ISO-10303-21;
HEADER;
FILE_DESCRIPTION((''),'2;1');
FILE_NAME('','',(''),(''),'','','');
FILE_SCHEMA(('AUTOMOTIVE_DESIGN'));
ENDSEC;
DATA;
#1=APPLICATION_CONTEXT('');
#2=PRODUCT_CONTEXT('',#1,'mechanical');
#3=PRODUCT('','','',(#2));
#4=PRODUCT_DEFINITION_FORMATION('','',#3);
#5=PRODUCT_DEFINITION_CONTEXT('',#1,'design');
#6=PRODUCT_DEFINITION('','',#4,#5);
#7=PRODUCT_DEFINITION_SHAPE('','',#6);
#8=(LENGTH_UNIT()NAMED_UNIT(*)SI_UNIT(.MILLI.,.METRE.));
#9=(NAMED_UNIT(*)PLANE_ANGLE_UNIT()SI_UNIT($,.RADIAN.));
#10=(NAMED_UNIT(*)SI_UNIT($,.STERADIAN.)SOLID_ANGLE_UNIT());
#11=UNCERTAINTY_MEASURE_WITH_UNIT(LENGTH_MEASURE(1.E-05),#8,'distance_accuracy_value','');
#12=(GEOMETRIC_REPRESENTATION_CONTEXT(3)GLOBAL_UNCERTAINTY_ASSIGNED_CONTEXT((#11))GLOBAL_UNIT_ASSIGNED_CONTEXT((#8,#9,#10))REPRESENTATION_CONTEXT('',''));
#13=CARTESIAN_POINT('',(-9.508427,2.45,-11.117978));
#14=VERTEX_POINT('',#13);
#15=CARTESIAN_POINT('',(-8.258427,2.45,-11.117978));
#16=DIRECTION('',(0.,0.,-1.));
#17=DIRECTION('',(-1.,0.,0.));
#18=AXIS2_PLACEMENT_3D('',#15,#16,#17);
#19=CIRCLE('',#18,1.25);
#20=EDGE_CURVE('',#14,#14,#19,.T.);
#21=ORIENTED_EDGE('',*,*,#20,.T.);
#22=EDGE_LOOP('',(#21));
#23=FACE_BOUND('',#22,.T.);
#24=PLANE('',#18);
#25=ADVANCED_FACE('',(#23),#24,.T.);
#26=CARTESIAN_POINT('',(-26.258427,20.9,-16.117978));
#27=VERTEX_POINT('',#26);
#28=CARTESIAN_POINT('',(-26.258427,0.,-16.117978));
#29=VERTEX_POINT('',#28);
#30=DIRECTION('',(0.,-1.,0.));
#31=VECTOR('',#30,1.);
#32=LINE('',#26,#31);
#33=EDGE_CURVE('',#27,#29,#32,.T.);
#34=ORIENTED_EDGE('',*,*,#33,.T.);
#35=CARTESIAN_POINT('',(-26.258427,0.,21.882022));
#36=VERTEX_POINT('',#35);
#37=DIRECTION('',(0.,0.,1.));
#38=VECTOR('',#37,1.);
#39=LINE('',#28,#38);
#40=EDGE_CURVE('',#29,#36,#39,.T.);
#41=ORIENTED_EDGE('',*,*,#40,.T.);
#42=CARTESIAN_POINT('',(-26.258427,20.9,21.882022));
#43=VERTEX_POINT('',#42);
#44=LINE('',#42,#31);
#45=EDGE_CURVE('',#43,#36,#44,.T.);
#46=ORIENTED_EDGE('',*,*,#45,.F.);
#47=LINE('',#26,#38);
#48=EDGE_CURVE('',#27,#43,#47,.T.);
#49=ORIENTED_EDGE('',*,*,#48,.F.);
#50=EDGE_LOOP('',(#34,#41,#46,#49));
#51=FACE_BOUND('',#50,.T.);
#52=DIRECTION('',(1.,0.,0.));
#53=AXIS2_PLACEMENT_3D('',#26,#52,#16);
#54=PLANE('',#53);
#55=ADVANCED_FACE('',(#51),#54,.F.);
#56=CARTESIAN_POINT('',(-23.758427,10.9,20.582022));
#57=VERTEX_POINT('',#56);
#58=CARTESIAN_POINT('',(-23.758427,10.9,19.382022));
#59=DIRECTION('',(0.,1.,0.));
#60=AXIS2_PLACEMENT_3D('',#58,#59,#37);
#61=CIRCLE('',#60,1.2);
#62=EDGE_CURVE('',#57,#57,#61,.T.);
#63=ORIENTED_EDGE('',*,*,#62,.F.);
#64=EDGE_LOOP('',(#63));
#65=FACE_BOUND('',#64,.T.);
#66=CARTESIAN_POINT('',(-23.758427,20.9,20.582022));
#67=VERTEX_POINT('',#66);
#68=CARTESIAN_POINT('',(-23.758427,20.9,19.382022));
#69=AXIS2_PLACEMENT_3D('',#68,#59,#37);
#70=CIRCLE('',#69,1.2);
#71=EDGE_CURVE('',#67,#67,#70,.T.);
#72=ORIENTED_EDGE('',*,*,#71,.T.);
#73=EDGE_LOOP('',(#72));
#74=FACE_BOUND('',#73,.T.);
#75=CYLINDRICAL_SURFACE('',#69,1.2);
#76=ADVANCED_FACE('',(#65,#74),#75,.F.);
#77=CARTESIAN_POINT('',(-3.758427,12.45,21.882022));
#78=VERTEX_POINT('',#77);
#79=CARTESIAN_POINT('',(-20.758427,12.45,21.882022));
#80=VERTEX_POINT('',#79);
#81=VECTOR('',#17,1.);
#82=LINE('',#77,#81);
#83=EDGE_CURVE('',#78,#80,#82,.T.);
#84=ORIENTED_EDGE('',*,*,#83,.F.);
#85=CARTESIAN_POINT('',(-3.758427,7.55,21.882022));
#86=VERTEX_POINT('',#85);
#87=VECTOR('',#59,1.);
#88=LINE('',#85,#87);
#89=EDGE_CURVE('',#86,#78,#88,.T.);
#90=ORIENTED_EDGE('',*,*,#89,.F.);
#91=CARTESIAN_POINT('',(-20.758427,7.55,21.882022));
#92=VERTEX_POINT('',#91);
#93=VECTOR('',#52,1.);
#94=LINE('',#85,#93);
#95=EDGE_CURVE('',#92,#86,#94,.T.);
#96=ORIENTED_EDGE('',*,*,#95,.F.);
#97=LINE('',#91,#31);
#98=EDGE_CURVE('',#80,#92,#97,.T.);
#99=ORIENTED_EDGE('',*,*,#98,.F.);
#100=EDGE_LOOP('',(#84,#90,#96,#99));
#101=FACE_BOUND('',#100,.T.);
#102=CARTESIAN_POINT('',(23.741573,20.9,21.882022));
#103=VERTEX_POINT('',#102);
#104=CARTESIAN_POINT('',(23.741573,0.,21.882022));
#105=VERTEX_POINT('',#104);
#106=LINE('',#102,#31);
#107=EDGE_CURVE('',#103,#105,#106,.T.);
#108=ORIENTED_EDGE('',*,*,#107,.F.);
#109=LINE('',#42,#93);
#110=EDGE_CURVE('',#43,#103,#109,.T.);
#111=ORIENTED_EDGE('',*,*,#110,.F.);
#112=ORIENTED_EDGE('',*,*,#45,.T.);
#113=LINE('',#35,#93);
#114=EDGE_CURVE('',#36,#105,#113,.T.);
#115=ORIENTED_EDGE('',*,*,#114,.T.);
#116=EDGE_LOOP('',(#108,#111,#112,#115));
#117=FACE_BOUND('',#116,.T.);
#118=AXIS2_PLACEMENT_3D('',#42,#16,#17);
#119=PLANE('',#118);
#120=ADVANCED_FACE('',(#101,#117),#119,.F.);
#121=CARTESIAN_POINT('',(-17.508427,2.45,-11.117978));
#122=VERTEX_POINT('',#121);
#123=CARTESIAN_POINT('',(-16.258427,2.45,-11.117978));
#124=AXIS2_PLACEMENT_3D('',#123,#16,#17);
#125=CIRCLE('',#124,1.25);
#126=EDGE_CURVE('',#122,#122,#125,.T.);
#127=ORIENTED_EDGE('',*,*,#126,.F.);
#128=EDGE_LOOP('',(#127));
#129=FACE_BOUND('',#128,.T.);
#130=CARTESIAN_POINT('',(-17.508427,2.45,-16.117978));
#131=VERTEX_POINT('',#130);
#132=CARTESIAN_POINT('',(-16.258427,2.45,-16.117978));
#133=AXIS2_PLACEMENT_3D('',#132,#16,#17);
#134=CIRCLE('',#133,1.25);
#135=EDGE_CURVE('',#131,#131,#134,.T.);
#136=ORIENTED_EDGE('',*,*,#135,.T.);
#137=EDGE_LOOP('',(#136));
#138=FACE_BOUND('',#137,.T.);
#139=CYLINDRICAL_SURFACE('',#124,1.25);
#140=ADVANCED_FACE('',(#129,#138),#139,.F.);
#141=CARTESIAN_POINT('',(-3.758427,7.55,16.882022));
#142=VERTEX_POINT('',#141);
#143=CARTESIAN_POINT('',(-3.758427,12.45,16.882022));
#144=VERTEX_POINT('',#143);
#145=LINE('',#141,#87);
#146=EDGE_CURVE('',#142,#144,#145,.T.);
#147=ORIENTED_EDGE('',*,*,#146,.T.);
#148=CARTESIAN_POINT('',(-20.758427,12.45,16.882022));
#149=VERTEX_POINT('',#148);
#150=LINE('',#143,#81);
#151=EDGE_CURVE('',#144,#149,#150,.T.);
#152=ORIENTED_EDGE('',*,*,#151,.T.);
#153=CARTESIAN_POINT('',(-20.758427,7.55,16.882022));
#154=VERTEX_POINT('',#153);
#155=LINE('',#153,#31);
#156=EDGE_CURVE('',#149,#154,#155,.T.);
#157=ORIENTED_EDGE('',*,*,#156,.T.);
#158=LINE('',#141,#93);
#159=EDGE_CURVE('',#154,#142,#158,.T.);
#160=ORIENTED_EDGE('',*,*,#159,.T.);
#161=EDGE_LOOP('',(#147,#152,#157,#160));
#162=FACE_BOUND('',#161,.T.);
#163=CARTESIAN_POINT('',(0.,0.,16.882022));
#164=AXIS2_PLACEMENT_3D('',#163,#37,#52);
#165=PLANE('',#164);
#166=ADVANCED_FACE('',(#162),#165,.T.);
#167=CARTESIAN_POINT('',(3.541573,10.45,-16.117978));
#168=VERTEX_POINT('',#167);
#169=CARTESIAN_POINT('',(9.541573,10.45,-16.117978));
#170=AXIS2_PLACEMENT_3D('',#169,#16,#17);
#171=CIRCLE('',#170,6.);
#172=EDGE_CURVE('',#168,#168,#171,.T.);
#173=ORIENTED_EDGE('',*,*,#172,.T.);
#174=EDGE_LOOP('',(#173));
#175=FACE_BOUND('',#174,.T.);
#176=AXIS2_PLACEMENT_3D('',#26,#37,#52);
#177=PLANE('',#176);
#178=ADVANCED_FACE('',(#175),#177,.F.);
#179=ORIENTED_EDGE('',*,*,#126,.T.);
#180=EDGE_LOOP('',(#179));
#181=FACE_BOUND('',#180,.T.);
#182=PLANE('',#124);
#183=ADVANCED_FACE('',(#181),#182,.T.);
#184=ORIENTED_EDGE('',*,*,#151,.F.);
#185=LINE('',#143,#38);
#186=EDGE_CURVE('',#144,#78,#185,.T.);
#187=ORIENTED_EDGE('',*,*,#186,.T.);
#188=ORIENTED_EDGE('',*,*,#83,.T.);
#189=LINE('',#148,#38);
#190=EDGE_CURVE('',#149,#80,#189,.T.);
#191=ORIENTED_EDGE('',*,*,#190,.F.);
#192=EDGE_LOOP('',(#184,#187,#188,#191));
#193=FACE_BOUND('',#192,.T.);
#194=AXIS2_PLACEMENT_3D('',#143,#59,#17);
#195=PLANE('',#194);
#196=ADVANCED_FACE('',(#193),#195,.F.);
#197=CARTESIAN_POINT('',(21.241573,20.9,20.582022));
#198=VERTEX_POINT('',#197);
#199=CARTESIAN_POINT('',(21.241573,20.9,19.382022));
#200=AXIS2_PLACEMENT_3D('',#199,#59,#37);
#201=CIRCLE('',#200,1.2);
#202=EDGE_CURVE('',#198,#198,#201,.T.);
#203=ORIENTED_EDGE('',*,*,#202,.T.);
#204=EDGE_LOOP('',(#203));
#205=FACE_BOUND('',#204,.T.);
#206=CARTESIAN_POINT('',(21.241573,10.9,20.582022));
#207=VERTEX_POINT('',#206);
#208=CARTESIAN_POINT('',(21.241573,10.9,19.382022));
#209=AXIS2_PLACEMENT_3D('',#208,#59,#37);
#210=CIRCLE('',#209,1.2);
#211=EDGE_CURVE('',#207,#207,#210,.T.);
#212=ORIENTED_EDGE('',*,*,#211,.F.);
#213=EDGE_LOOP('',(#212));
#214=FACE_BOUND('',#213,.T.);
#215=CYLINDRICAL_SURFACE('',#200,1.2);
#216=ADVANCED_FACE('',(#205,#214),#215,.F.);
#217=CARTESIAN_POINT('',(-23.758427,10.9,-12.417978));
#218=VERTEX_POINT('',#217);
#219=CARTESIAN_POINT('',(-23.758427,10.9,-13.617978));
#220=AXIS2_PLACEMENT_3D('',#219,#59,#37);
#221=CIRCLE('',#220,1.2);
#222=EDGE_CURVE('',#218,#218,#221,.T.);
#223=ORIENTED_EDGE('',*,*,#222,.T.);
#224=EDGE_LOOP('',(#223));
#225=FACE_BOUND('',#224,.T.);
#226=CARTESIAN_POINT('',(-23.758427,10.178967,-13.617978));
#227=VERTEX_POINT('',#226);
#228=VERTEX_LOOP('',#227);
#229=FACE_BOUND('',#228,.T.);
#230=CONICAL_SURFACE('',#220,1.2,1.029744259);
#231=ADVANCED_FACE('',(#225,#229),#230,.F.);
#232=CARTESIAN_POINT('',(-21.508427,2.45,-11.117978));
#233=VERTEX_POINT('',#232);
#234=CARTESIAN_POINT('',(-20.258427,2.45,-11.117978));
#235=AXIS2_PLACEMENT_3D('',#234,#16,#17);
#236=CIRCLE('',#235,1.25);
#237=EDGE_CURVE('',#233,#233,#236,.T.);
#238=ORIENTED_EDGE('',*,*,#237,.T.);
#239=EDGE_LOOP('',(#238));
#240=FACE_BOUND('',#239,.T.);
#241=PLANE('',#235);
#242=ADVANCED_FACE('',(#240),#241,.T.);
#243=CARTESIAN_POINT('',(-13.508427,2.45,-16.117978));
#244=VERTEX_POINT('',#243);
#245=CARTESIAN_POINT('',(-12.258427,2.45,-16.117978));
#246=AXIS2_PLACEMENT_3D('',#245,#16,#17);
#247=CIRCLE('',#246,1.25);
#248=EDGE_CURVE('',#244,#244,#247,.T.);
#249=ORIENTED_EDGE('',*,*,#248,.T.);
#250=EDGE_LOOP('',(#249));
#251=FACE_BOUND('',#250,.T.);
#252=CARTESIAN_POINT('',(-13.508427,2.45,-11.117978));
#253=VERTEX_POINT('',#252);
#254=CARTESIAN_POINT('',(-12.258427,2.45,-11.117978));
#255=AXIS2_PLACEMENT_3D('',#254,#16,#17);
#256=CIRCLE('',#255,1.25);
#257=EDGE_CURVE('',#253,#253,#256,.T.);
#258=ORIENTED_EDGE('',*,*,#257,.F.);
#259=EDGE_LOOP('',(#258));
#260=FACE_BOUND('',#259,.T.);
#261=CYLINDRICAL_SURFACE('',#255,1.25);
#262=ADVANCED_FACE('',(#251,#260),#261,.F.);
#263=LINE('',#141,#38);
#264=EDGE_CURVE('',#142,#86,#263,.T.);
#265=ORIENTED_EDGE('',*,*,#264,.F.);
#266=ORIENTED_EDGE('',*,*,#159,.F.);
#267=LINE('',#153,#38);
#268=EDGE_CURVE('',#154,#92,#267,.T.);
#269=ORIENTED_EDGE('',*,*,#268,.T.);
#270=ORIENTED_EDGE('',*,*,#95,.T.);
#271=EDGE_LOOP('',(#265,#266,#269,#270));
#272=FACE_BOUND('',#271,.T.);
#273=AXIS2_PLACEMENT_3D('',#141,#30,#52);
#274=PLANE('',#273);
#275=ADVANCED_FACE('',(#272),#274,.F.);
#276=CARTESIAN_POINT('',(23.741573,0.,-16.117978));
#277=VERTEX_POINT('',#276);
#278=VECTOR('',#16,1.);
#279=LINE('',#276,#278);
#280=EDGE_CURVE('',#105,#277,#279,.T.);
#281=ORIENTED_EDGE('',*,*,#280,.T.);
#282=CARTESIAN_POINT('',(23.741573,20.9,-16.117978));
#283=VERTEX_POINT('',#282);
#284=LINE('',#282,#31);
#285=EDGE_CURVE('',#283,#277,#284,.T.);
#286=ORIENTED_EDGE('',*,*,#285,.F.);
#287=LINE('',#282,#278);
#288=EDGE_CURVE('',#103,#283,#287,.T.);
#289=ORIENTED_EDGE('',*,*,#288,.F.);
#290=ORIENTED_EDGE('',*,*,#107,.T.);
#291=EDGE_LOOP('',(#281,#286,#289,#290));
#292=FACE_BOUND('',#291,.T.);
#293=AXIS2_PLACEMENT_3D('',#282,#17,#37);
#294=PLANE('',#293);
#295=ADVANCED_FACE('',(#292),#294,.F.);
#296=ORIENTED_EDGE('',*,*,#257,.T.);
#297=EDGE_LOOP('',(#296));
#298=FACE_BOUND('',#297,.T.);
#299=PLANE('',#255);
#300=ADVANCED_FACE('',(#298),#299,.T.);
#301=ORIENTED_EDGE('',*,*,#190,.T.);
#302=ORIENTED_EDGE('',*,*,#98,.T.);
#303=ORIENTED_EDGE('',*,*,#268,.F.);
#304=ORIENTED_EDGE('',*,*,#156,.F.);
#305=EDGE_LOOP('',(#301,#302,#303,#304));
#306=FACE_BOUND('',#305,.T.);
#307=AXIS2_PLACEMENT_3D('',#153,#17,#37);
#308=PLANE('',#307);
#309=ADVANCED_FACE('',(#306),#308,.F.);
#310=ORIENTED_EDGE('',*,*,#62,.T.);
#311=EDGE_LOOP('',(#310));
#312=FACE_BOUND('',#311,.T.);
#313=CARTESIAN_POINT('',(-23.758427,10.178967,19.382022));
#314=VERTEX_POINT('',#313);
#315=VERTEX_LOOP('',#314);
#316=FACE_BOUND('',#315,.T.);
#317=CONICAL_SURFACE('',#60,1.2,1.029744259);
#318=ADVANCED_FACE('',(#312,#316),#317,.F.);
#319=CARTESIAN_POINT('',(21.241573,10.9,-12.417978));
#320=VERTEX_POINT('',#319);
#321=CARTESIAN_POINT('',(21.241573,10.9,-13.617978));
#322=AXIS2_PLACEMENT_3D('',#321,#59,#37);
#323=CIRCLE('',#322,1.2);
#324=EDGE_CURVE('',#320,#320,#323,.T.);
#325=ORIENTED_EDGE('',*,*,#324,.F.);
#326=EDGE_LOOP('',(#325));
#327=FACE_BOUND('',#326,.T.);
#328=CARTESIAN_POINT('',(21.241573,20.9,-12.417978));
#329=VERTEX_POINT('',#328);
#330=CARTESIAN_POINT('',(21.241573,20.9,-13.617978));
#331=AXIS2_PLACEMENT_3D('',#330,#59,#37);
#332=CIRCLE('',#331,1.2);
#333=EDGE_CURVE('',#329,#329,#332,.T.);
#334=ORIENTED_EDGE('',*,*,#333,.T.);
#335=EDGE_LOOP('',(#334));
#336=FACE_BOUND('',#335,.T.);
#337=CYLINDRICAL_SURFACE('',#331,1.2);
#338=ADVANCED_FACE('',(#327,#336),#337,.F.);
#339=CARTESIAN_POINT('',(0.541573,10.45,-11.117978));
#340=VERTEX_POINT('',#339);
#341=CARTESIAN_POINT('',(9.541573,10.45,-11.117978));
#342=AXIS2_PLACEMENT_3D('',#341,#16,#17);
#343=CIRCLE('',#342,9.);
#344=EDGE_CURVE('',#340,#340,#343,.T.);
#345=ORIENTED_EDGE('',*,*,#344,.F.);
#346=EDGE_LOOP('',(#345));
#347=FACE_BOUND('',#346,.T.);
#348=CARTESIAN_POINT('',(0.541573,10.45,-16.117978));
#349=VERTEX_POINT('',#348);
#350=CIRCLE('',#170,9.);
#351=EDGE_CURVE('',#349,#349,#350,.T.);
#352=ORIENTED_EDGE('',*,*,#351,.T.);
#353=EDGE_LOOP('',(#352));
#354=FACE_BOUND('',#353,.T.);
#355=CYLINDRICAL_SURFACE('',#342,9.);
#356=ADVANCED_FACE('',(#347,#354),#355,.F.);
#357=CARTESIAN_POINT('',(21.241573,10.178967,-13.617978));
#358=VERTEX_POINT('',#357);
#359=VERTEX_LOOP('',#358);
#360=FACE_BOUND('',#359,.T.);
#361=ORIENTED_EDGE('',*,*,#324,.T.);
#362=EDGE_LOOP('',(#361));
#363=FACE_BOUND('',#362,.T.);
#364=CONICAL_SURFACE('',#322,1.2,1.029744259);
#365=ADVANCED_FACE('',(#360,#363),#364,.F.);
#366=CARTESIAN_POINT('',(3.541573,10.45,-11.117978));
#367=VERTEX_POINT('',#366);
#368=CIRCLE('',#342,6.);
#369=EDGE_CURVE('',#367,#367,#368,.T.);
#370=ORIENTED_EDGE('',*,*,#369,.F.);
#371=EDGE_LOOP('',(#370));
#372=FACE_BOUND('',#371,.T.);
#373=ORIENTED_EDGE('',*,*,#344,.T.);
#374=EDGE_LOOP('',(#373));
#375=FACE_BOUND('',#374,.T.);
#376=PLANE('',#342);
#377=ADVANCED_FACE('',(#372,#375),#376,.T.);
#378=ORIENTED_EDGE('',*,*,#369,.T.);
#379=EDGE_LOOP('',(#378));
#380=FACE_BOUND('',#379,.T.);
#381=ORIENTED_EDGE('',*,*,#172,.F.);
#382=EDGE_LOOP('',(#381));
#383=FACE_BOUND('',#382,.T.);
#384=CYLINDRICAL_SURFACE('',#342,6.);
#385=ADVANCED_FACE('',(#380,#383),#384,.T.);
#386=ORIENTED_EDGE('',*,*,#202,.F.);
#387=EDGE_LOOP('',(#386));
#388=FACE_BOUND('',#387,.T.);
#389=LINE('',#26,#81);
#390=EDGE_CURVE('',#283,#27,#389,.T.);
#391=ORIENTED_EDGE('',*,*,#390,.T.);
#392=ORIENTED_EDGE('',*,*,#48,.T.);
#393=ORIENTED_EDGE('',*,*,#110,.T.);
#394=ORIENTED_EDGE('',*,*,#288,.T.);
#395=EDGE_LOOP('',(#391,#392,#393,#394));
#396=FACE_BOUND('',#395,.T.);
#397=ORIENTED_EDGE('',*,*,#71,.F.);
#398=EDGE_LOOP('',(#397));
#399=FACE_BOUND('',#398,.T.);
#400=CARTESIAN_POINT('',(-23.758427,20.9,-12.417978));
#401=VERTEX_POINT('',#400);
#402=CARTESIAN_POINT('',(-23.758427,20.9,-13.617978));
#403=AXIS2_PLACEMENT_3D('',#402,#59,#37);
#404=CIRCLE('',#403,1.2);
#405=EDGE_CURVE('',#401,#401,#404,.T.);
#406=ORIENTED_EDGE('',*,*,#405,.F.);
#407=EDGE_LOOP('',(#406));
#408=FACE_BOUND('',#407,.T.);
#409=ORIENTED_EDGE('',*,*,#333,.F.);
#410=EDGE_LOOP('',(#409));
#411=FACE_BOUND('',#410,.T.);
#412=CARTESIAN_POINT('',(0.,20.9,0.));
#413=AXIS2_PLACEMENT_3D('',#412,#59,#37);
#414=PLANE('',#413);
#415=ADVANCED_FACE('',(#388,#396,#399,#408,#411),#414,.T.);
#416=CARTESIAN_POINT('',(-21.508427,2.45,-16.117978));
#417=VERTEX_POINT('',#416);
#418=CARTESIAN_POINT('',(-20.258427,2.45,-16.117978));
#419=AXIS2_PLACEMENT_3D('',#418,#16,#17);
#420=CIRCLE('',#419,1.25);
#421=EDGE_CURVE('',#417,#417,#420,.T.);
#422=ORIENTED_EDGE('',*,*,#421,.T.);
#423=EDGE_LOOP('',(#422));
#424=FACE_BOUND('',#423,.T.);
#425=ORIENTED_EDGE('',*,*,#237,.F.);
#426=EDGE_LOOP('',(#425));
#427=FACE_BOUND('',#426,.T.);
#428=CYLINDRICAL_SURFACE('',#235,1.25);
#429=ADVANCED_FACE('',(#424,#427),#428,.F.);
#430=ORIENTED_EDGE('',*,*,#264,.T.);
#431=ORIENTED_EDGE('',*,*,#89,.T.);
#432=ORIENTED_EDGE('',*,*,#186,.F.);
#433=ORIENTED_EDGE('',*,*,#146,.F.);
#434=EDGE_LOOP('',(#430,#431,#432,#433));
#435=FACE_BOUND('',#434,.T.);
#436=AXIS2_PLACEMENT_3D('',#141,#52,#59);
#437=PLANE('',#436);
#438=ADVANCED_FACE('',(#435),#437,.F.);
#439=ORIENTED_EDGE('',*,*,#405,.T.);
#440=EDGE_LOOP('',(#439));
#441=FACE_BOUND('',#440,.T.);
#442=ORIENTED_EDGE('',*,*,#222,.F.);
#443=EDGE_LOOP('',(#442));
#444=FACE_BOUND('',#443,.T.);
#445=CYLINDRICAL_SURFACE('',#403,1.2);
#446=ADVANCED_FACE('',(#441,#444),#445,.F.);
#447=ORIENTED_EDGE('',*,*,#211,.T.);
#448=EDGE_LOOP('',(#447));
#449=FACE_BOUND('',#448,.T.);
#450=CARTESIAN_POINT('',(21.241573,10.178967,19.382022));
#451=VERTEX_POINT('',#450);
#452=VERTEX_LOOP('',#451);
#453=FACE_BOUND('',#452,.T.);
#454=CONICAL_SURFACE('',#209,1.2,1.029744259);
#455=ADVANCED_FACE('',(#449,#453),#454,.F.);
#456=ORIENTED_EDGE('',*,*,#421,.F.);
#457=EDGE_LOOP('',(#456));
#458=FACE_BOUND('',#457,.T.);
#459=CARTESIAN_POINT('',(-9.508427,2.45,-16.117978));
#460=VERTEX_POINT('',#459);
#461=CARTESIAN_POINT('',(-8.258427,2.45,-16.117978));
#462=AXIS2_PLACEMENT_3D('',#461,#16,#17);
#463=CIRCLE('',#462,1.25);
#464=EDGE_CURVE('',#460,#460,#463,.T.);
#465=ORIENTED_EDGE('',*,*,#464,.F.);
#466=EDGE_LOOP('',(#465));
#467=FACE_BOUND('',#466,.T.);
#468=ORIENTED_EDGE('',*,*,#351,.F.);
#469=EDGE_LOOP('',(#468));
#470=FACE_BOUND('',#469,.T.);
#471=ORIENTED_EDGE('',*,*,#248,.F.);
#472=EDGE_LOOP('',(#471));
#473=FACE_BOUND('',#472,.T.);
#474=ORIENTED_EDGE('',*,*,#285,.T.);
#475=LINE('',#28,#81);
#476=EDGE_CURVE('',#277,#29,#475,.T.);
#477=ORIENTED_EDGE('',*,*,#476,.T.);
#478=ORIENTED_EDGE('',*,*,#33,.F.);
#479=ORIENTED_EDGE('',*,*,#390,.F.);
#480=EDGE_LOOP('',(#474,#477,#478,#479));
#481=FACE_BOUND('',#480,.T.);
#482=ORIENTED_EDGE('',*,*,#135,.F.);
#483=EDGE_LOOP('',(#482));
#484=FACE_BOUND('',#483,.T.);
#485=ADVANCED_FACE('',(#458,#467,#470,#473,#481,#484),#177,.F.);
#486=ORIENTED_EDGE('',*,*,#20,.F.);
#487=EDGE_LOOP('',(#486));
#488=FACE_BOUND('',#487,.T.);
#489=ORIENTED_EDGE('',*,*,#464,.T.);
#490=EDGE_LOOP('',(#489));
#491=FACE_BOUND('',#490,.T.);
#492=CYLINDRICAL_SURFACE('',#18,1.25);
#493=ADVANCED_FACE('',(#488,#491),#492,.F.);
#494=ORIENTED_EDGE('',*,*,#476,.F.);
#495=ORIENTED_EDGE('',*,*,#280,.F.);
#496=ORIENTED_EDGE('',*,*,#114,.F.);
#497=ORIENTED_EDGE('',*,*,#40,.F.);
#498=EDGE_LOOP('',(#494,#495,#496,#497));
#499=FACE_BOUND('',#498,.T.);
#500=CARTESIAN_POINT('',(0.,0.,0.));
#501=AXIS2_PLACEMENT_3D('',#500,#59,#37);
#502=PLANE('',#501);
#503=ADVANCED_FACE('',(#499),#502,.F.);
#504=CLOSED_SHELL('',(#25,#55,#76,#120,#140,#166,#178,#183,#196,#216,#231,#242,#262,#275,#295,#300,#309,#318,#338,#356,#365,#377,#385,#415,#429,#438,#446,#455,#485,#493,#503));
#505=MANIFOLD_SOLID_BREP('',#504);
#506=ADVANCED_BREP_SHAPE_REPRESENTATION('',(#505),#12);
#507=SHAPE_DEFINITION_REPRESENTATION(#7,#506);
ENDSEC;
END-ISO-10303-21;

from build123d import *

# Parameters (mm, degrees)
SKETCH1_W                = 50
SKETCH1_H                = 38
BOSS_EXTRUDE1_DEPTH      = 20.9
M2_CLEARANCE_HOLE1_D     = 2.4
M2_CLEARANCE_HOLE1_DEPTH = 10
M2_CLEARANCE_HOLE1_TIP   = 0.721032743
SKETCH5_R                = 9
SKETCH5_R_2              = 6
SKETCH5_R_3              = 1.25
CUT_EXTRUDE1_DEPTH       = 5
SKETCH6_W                = 17
SKETCH6_H                = 4.9
CUT_EXTRUDE2_DEPTH       = 5


with BuildPart() as part:
    # Sketch1 → Boss-Extrude1 (new body)
    with BuildSketch(Plane(origin=(0, 0, 0), x_dir=(1, 0, 0), z_dir=(0, 1, 0))):
        with Locations((-1.258426966, -2.882022472)):
            Rectangle(SKETCH1_W, SKETCH1_H)
    extrude(amount=BOSS_EXTRUDE1_DEPTH)

    # M2 Clearance Hole1
    with Locations(Plane(origin=(0, 20.9, 0), x_dir=(1, 0, 0), z_dir=(0, 1, 0))):
        with Locations((-23.758426966, 13.617977528), (-23.758426966, -19.382022472), (21.241573034, -19.382022472), (21.241573034, 13.617977528)):
            Hole(M2_CLEARANCE_HOLE1_D / 2, depth=M2_CLEARANCE_HOLE1_DEPTH)
            with Locations((0, 0, -(M2_CLEARANCE_HOLE1_DEPTH + M2_CLEARANCE_HOLE1_TIP / 2))):  # 118° drill point
                Cone(0, M2_CLEARANCE_HOLE1_D / 2, M2_CLEARANCE_HOLE1_TIP, mode=Mode.SUBTRACT)

    # Sketch5 → Cut-Extrude1 (cut)
    # profile 1 of 5: a face of its own
    with BuildSketch(Plane(origin=(0, 0, -16.117977528), x_dir=(-1, 0, 0), z_dir=(0, 0, -1))):
        with Locations((-9.541573034, 10.45)):
            Circle(SKETCH5_R)
        with Locations((-9.541573034, 10.45)):
            Circle(SKETCH5_R_2, mode=Mode.SUBTRACT)
    # profile 2 of 5: a face of its own
    with BuildSketch(Plane(origin=(0, 0, -16.117977528), x_dir=(-1, 0, 0), z_dir=(0, 0, -1))):
        with Locations((20.258426966, 2.45)):
            Circle(SKETCH5_R_3)
    # profile 3 of 5: a face of its own
    with BuildSketch(Plane(origin=(0, 0, -16.117977528), x_dir=(-1, 0, 0), z_dir=(0, 0, -1))):
        with Locations((16.258426966, 2.45)):
            Circle(SKETCH5_R_3)
    # profile 4 of 5: a face of its own
    with BuildSketch(Plane(origin=(0, 0, -16.117977528), x_dir=(-1, 0, 0), z_dir=(0, 0, -1))):
        with Locations((12.258426966, 2.45)):
            Circle(SKETCH5_R_3)
    # profile 5 of 5: a face of its own
    with BuildSketch(Plane(origin=(0, 0, -16.117977528), x_dir=(-1, 0, 0), z_dir=(0, 0, -1))):
        with Locations((8.258426966, 2.45)):
            Circle(SKETCH5_R_3)
    extrude(amount=-CUT_EXTRUDE1_DEPTH, mode=Mode.SUBTRACT)

    # Sketch6 → Cut-Extrude2 (cut)
    with BuildSketch(Plane.XY.offset(21.882022472)):
        with Locations((-12.258426966, 10)):
            Rectangle(SKETCH6_W, SKETCH6_H)
    extrude(amount=-CUT_EXTRUDE2_DEPTH, mode=Mode.SUBTRACT)


solid = part.part
